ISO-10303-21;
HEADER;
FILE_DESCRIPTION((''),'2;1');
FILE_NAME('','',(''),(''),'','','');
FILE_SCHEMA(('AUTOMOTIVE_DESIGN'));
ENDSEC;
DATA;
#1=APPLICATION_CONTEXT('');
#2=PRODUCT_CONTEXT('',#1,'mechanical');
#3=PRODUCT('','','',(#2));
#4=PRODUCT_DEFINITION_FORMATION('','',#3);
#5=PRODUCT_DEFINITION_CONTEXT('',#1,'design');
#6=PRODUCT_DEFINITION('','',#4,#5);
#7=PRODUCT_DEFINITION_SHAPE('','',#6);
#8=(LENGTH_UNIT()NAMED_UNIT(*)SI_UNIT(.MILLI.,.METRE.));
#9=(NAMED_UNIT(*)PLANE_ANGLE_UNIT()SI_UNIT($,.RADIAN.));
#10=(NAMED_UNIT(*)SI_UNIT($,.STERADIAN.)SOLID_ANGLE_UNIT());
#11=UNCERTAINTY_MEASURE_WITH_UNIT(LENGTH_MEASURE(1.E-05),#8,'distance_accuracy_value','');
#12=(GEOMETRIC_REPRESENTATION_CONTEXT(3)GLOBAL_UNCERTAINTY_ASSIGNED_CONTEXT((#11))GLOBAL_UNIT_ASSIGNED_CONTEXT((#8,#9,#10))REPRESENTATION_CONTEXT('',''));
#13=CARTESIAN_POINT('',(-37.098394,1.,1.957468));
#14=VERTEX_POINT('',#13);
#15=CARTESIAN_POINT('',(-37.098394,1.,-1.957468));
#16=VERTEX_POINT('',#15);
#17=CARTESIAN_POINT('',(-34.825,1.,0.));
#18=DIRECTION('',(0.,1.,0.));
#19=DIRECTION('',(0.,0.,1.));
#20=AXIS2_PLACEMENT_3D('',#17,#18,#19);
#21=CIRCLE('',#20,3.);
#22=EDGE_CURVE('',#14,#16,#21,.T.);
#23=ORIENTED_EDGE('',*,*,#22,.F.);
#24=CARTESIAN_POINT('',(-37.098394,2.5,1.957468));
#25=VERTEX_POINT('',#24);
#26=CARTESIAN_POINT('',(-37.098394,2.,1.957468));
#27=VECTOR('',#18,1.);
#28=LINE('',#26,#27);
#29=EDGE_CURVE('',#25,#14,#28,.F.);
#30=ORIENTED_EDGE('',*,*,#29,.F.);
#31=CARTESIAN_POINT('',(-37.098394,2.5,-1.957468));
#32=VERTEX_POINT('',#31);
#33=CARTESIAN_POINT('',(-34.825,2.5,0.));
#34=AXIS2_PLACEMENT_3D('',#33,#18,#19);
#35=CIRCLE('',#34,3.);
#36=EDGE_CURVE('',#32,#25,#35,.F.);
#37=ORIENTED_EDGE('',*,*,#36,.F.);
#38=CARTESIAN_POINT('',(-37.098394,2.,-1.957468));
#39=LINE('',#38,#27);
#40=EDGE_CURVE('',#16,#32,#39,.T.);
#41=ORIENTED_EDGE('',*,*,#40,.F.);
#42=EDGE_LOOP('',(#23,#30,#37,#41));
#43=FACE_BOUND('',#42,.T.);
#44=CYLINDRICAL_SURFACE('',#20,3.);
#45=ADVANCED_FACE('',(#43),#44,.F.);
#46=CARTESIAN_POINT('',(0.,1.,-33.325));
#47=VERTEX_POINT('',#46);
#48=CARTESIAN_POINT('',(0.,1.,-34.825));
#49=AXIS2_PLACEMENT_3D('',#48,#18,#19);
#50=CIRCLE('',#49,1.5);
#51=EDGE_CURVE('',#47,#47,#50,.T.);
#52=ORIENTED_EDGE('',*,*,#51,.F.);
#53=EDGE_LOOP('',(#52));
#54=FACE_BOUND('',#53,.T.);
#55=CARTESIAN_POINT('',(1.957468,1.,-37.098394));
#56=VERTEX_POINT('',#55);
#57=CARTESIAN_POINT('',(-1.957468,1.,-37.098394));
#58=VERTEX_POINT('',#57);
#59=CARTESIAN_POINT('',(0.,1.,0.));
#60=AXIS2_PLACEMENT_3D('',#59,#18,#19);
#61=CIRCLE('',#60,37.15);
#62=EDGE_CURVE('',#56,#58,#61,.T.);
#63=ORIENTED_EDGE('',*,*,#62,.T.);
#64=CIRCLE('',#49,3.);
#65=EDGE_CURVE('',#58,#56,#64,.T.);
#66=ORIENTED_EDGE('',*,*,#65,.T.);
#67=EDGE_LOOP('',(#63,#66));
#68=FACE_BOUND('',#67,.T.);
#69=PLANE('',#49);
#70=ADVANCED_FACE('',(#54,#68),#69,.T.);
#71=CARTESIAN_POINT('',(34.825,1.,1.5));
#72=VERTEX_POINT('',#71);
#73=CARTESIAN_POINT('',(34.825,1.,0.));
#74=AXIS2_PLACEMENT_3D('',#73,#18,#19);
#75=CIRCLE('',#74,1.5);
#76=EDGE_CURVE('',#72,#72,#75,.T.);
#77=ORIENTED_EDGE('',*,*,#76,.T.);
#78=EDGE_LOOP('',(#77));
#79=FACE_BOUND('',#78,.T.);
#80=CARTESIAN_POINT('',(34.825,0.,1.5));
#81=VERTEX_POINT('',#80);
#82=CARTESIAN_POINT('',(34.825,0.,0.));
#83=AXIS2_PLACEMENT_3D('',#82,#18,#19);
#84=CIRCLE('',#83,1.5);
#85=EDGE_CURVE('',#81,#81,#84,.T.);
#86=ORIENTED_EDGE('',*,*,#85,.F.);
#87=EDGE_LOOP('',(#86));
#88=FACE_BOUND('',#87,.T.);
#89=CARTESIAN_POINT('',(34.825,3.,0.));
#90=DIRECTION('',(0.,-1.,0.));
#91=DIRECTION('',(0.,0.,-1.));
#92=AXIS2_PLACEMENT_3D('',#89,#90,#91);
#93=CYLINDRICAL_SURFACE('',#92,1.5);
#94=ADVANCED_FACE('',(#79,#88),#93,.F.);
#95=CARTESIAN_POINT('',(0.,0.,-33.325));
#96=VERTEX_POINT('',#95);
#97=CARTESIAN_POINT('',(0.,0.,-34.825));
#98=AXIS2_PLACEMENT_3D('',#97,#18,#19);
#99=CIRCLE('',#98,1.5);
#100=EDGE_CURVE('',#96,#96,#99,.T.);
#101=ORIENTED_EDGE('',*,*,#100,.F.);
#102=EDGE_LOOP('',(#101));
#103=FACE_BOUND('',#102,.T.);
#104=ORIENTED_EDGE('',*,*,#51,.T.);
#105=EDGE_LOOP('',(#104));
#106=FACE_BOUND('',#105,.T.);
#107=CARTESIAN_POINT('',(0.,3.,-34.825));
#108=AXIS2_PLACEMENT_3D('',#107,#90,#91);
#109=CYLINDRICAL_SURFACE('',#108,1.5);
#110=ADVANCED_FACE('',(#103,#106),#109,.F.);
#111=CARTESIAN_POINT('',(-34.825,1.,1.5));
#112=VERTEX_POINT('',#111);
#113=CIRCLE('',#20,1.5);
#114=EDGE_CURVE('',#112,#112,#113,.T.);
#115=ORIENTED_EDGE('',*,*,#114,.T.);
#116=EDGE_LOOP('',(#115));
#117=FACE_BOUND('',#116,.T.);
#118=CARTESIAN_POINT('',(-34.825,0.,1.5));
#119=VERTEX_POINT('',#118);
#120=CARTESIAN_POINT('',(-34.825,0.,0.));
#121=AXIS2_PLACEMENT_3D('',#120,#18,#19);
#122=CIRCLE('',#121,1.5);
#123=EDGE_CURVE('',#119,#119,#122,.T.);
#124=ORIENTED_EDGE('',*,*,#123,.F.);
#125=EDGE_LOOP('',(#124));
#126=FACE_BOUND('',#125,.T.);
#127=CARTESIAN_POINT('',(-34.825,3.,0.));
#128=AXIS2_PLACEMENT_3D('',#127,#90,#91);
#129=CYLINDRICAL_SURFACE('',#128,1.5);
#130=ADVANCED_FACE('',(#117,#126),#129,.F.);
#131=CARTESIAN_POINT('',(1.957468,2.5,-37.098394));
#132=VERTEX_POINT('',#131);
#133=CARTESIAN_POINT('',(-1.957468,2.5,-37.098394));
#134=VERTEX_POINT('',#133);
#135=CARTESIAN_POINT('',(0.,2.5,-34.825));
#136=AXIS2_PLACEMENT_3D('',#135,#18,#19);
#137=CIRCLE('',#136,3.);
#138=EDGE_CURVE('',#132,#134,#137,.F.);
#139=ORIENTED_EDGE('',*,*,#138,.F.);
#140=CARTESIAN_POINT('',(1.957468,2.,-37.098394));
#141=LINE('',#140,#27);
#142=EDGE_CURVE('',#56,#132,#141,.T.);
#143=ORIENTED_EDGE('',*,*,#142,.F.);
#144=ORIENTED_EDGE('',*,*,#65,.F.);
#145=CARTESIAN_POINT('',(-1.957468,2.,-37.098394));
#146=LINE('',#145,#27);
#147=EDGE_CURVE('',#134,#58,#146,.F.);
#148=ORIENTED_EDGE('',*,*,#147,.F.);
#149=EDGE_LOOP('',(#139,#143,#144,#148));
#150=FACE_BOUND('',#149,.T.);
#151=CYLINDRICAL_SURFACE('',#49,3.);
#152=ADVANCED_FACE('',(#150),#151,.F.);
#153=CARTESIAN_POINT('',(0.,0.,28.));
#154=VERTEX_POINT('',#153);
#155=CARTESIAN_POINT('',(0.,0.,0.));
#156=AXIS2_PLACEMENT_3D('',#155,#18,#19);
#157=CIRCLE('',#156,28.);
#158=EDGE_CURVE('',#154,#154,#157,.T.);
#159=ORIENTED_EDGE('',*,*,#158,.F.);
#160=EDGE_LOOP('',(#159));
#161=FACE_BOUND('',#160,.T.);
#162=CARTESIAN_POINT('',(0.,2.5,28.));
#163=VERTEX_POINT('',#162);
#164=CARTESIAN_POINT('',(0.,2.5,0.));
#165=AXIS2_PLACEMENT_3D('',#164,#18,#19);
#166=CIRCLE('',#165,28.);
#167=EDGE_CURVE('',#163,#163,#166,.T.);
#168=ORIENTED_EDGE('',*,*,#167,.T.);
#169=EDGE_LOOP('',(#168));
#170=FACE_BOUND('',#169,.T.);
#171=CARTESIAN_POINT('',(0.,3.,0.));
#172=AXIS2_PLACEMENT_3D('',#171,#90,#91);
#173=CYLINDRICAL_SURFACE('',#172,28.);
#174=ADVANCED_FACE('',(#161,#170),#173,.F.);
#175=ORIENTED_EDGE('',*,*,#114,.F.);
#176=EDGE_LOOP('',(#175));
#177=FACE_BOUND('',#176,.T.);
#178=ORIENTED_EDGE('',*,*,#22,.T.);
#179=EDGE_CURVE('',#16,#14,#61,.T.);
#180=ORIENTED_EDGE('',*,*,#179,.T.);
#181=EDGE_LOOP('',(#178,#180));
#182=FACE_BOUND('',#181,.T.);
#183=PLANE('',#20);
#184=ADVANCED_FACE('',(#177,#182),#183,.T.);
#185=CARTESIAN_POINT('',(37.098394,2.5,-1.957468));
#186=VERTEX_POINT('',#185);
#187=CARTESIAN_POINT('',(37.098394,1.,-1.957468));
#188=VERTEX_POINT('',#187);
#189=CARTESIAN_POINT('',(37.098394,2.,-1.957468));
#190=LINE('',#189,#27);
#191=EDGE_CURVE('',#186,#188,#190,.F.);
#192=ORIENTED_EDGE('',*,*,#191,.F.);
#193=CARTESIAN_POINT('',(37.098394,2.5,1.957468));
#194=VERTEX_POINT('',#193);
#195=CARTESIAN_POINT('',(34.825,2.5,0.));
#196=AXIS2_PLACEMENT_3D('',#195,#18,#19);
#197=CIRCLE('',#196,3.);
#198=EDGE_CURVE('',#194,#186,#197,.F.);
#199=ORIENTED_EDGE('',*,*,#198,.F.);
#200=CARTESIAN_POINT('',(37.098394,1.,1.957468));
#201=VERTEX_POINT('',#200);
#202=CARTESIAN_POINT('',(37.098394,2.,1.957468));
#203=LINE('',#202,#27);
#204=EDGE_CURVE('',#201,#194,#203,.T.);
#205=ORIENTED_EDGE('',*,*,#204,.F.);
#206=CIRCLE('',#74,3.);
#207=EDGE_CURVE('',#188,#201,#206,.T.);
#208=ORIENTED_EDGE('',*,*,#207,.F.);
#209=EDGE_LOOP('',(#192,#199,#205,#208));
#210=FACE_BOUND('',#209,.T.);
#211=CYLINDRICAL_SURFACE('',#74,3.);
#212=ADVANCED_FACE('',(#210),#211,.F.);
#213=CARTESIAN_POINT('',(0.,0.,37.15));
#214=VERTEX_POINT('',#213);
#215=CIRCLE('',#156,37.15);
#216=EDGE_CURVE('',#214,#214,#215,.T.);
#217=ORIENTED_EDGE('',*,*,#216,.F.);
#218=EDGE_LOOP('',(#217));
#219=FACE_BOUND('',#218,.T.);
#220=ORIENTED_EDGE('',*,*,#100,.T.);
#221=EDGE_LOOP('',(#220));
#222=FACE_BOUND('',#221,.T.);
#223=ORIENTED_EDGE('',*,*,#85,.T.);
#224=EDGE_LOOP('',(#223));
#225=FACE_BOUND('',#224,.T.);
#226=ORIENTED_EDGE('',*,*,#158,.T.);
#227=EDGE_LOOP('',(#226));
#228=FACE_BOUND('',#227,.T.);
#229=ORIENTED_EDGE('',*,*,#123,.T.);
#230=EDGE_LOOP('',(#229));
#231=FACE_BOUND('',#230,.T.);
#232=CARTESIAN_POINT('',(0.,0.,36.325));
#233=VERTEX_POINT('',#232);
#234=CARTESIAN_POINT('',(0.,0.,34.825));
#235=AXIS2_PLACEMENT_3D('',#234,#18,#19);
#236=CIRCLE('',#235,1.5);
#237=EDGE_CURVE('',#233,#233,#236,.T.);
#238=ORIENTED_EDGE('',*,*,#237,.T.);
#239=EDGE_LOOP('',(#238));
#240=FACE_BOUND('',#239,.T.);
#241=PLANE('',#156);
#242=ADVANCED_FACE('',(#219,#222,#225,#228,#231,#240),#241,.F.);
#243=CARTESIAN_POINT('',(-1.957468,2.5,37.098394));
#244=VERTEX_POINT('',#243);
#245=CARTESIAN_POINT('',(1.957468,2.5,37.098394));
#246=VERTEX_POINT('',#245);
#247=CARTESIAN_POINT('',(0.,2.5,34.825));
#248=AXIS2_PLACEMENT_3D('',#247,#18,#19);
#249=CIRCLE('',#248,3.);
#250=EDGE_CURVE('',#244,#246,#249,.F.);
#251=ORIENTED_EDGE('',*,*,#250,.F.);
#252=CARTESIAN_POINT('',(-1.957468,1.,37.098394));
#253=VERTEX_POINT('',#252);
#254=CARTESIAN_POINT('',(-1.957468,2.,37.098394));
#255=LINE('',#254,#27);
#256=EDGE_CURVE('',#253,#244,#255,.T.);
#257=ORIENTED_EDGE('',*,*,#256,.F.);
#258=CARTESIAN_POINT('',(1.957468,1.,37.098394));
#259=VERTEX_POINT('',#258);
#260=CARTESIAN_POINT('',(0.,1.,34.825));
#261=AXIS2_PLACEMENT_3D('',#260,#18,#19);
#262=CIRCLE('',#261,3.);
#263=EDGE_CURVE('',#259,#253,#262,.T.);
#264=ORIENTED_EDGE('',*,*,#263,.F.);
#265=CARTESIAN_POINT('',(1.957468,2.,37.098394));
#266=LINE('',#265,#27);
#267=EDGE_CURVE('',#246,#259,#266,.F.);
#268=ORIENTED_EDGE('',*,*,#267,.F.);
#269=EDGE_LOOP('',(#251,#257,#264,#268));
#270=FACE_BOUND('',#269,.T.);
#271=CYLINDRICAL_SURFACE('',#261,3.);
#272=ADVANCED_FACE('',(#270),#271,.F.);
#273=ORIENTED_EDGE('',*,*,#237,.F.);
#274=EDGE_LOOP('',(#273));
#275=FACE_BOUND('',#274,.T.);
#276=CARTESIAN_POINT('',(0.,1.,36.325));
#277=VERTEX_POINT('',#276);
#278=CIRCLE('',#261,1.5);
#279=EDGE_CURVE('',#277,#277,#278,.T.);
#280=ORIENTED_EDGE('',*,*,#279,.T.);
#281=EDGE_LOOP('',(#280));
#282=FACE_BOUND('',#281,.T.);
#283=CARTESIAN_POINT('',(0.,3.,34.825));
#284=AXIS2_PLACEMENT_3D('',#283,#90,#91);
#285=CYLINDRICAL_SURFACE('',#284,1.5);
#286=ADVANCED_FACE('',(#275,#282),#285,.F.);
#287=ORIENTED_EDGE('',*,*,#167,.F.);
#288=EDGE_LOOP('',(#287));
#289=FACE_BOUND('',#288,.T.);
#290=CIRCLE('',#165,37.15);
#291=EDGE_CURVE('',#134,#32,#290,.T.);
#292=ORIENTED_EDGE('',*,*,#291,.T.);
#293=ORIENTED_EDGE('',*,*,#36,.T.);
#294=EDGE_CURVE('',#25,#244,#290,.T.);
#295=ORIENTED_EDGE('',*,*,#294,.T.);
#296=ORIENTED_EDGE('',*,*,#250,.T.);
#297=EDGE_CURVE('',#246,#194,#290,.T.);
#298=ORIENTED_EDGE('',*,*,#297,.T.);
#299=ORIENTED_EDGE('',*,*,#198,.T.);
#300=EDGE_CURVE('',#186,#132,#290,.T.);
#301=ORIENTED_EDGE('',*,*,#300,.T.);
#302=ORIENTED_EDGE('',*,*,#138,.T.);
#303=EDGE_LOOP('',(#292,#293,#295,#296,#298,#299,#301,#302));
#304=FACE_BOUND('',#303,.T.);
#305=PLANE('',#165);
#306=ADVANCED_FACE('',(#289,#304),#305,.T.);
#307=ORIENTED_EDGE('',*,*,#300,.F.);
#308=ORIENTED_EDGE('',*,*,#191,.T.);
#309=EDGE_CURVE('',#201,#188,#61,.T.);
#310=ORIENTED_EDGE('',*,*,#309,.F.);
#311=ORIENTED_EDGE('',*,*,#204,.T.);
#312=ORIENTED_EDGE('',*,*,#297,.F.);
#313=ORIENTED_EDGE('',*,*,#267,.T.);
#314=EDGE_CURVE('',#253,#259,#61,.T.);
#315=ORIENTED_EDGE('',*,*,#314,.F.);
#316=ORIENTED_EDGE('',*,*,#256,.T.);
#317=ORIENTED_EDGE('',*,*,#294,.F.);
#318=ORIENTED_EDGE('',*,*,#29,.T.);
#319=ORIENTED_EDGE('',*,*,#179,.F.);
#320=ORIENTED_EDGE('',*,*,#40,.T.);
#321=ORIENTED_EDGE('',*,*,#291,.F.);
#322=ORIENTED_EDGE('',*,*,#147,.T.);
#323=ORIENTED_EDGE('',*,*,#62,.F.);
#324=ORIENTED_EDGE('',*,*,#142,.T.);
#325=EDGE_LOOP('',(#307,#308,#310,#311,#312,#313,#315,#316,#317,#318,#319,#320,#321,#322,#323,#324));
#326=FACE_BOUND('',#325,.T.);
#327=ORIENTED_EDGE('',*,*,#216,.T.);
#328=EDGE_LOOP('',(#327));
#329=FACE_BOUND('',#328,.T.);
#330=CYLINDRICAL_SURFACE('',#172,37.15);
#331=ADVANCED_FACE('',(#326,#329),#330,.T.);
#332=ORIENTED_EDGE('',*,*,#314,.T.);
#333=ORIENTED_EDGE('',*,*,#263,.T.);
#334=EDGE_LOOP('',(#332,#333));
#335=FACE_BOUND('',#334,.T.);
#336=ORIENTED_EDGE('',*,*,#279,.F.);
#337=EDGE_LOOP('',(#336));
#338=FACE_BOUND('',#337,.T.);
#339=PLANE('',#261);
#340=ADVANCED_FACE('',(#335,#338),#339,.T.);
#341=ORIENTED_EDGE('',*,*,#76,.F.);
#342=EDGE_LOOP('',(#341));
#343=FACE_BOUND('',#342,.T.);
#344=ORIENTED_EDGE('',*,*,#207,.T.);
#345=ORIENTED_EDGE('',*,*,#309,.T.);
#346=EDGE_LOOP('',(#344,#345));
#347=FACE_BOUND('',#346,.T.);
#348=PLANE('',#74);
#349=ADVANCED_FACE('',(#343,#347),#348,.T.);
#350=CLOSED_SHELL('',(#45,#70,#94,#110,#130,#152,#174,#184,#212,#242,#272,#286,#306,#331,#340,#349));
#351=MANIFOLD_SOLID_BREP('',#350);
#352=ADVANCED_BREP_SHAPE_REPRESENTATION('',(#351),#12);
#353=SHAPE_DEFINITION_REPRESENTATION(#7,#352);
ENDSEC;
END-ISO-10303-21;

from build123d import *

# Parameters (mm, degrees)
SKETCH_1_R          = 37.15
SKETCH_1_R_2        = 28
SKETCH_1_R_3        = 1.5
EXTRUDE_1_DEPTH     = 3
SKETCH_3_R          = 3
CUT_EXTRUDE_1_DEPTH = 2
CUT_EXTRUDE_START   = -0.5
SKETCH_4_R          = 37.15
CUT_EXTRUDE_2_DEPTH = 0.5


with BuildPart() as part:
    # 草图1 → 凸台-拉伸1 (new body)
    with BuildSketch(Plane(origin=(0, 0, 0), x_dir=(1, 0, 0), z_dir=(0, 1, 0))):
        with Locations(Location((0, 0, 0), (0, 0, 270))):
            Circle(SKETCH_1_R)
        with Locations(Location((0, 0, 0), (0, 0, 270))):
            Circle(SKETCH_1_R_2, mode=Mode.SUBTRACT)
        with Locations(Location((0, 34.825, 0), (0, 0, 270))):
            Circle(SKETCH_1_R_3, mode=Mode.SUBTRACT)
        with Locations(Location((-34.825, 0, 0), (0, 0, 270))):
            Circle(SKETCH_1_R_3, mode=Mode.SUBTRACT)
        with Locations(Location((0, -34.825, 0), (0, 0, 270))):
            Circle(SKETCH_1_R_3, mode=Mode.SUBTRACT)
        with Locations(Location((34.825, 0, 0), (0, 0, 270))):
            Circle(SKETCH_1_R_3, mode=Mode.SUBTRACT)
    extrude(amount=EXTRUDE_1_DEPTH)

    # 草图3 → 切除-拉伸1 (cut)
    with BuildSketch(Plane(origin=(0, 3, 0), x_dir=(1, 0, 0), z_dir=(0, 1, 0))):
        with Locations((0, 34.825)):
            Circle(SKETCH_3_R)
        with Locations((-34.825, 0)):
            Circle(SKETCH_3_R)
        with Locations((0, -34.825)):
            Circle(SKETCH_3_R)
        with Locations((34.825, 0)):
            Circle(SKETCH_3_R)
    extrude(amount=-CUT_EXTRUDE_1_DEPTH, mode=Mode.SUBTRACT)

    # 草图4 → 切除-拉伸2 (cut)
    with BuildSketch(Plane(origin=(0, 3, 0), x_dir=(1, 0, 0), z_dir=(0, 1, 0)).offset(CUT_EXTRUDE_START)):
        with Locations(Location((0, 0, 0), (0, 0, 93.02036647))):
            Circle(SKETCH_4_R)
    extrude(amount=CUT_EXTRUDE_2_DEPTH, mode=Mode.SUBTRACT)


solid = part.part
